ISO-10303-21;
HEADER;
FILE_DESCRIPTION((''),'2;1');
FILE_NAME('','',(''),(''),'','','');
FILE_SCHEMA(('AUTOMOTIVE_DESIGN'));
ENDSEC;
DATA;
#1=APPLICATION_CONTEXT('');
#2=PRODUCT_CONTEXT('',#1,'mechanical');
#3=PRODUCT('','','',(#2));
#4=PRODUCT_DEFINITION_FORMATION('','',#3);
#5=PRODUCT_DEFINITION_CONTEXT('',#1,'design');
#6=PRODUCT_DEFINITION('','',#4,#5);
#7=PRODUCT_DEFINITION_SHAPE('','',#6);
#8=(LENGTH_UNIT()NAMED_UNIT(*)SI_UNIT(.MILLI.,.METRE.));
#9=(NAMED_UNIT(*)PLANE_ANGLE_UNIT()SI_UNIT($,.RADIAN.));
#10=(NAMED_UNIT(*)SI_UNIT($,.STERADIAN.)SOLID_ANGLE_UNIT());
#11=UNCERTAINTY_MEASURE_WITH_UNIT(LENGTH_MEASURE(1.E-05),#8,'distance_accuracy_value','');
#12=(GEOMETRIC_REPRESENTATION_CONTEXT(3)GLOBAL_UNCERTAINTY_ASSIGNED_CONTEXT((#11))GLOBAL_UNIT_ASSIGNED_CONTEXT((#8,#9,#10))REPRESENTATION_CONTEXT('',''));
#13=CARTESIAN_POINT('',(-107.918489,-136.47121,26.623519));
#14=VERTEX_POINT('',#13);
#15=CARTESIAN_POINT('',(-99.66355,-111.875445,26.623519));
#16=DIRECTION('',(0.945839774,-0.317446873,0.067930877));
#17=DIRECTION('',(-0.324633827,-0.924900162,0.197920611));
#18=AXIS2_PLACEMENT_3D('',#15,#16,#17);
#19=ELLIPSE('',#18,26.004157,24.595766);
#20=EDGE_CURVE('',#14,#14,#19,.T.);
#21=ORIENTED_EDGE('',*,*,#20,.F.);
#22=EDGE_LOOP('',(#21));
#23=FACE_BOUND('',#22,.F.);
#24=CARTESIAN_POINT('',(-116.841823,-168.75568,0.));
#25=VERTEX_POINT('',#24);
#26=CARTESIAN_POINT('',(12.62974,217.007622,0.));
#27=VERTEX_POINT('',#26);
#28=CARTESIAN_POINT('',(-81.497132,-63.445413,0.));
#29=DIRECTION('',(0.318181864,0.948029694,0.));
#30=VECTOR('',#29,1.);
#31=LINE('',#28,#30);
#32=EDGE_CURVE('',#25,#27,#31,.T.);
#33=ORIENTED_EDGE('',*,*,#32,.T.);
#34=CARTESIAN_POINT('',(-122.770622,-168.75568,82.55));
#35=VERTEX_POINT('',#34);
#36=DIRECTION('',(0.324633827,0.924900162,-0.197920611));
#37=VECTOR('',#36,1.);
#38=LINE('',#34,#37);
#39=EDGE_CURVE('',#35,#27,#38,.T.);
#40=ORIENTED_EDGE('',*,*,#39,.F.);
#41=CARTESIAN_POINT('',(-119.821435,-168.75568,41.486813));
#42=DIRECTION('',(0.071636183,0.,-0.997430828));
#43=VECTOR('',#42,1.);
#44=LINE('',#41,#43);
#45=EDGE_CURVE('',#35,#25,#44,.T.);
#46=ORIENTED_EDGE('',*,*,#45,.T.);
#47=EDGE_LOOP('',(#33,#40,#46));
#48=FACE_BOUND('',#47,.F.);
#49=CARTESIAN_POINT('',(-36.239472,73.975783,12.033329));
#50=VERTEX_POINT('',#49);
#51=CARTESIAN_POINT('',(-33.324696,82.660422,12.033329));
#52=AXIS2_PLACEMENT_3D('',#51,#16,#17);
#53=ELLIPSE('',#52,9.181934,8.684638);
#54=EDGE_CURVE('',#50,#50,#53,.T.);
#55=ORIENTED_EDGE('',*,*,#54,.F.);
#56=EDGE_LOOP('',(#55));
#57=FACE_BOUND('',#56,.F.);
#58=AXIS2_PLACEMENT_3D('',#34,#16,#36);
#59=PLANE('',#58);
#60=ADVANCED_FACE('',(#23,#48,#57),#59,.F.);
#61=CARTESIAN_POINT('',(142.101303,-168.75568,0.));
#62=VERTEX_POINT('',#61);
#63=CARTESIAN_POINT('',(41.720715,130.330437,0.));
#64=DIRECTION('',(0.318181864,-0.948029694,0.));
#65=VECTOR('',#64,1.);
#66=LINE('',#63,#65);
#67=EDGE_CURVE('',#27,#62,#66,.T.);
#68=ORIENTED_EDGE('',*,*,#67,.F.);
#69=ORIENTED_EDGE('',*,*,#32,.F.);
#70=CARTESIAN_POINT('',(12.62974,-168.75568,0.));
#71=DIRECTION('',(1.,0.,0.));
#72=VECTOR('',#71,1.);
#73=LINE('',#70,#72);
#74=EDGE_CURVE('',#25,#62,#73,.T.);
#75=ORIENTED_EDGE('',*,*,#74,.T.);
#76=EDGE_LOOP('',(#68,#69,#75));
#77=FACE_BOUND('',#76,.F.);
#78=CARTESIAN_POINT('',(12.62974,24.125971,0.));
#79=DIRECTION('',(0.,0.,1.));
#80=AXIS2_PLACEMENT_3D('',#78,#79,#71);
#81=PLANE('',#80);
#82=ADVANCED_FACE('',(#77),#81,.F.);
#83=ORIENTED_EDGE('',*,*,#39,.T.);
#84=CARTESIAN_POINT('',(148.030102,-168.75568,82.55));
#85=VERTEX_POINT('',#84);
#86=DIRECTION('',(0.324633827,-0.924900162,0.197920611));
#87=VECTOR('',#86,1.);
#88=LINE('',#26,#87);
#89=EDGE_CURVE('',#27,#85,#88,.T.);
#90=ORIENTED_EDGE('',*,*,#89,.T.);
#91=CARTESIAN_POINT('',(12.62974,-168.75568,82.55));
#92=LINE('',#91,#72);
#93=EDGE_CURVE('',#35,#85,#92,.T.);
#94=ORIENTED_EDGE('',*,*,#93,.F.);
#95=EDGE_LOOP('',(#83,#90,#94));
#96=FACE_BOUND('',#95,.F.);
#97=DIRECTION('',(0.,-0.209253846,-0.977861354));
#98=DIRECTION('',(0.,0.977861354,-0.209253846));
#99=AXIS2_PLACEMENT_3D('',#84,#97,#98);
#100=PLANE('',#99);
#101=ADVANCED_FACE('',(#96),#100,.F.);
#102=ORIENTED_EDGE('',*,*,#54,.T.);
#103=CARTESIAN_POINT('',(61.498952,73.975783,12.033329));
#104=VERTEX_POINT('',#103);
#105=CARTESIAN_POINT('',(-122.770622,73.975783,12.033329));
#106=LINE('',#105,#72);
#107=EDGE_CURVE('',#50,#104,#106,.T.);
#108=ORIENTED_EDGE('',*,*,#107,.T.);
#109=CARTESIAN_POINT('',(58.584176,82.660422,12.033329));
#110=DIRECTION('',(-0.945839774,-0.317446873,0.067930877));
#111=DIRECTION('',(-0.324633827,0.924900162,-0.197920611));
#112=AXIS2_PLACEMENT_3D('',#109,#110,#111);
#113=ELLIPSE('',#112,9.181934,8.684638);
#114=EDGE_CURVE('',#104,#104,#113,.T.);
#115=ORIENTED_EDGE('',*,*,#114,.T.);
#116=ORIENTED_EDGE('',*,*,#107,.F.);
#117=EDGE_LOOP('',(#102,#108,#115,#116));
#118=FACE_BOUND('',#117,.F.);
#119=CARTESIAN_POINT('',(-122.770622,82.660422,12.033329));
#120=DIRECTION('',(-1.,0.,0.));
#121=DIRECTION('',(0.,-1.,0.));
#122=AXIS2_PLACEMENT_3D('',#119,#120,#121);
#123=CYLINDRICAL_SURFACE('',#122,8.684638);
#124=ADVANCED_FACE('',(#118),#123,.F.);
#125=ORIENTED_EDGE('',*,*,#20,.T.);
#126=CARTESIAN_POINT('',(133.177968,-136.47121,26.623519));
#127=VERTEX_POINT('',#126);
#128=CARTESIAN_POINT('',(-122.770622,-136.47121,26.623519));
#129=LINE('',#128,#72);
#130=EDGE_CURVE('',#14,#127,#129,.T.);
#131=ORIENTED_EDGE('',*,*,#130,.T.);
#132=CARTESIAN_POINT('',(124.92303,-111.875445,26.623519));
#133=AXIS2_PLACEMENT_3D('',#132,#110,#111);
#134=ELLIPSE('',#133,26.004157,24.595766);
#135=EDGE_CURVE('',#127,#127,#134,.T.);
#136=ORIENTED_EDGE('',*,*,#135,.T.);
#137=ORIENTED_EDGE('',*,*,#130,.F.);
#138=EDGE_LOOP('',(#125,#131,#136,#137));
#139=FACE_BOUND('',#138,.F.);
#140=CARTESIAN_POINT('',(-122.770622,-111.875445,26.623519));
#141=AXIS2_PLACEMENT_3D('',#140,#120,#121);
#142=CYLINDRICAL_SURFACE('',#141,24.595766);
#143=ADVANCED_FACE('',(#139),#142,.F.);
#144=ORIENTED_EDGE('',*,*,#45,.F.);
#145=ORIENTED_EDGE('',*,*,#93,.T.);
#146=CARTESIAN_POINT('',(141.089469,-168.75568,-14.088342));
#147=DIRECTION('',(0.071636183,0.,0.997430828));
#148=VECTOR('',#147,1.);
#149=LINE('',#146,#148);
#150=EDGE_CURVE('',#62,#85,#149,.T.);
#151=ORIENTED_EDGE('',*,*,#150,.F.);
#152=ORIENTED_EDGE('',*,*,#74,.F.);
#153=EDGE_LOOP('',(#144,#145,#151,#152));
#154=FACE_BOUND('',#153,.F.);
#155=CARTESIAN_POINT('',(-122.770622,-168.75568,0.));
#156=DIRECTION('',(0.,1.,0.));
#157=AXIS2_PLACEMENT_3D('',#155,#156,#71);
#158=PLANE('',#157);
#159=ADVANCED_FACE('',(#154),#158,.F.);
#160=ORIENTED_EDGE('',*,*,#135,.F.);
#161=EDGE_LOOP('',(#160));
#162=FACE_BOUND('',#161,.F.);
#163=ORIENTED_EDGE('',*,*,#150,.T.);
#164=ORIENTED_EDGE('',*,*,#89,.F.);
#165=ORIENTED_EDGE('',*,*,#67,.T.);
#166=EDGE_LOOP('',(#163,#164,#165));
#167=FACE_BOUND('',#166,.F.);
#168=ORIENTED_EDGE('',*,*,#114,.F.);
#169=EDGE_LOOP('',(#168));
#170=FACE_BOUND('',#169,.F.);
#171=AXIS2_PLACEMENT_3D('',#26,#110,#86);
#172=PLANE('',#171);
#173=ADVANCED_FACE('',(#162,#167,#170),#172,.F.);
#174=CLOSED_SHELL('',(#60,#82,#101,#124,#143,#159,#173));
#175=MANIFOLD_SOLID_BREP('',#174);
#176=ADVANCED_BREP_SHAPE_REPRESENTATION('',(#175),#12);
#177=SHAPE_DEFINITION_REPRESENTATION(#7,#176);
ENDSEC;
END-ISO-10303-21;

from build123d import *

# Parameters (mm, degrees)
F0_W     = 270.8007246256
F0_H     = 385.7633024454
F1_DEPTH = 82.55
F3_DEPTH = 508
F5_R     = 8.6846383289
F5_R_2   = 24.5957658021
F6_DEPTH = 381
F7_DEPTH = 1016


with BuildPart() as f1:
    # F0 (on Top) → F1 (new body)
    with BuildSketch(Plane.XY):
        with Locations((12.6297399402, 24.1259709001)):
            Rectangle(F0_W, F0_H)
    extrude(amount=F1_DEPTH)

    # F2 (on face) → F3 (cut)
    with BuildSketch(Plane.YZ.offset(148.030102253)):
        Polygon((217.0076221228, 82.55), (-168.7556803226, 82.55), (217.0076221228, 0), align=None)
    extrude(amount=-F3_DEPTH, mode=Mode.SUBTRACT)

    # F5 (on face) → F6 (cut)
    with BuildSketch(Plane(origin=(-122.7706223726, 0, 0), x_dir=(0, -1, 0), z_dir=(-1, 0, 0))):
        with Locations((-82.6604217291, 12.0333293453)):
            Circle(F5_R)
        with Locations((111.8754446507, 26.6235191375)):
            Circle(F5_R_2)
    extrude(amount=-F6_DEPTH, mode=Mode.SUBTRACT)

    # F4 (on face) → F7 (cut)
    with BuildSketch(Plane(origin=(0, 9.5021501125, 44.4043707783), x_dir=(1, 0, 0), z_dir=(0, 0.2092538463, 0.9778613541))):
        Polygon((148.030102253, 212.2033672174), (12.6297399402, 212.2033672174), (148.030102253, -182.2935630794), align=None)
        Polygon((-122.7706223726, -182.2935630794), (12.6297399402, 212.2033672174), (-122.7706223726, 212.2033672174), align=None)
    extrude(amount=-F7_DEPTH, mode=Mode.SUBTRACT)


solid = f1.part
